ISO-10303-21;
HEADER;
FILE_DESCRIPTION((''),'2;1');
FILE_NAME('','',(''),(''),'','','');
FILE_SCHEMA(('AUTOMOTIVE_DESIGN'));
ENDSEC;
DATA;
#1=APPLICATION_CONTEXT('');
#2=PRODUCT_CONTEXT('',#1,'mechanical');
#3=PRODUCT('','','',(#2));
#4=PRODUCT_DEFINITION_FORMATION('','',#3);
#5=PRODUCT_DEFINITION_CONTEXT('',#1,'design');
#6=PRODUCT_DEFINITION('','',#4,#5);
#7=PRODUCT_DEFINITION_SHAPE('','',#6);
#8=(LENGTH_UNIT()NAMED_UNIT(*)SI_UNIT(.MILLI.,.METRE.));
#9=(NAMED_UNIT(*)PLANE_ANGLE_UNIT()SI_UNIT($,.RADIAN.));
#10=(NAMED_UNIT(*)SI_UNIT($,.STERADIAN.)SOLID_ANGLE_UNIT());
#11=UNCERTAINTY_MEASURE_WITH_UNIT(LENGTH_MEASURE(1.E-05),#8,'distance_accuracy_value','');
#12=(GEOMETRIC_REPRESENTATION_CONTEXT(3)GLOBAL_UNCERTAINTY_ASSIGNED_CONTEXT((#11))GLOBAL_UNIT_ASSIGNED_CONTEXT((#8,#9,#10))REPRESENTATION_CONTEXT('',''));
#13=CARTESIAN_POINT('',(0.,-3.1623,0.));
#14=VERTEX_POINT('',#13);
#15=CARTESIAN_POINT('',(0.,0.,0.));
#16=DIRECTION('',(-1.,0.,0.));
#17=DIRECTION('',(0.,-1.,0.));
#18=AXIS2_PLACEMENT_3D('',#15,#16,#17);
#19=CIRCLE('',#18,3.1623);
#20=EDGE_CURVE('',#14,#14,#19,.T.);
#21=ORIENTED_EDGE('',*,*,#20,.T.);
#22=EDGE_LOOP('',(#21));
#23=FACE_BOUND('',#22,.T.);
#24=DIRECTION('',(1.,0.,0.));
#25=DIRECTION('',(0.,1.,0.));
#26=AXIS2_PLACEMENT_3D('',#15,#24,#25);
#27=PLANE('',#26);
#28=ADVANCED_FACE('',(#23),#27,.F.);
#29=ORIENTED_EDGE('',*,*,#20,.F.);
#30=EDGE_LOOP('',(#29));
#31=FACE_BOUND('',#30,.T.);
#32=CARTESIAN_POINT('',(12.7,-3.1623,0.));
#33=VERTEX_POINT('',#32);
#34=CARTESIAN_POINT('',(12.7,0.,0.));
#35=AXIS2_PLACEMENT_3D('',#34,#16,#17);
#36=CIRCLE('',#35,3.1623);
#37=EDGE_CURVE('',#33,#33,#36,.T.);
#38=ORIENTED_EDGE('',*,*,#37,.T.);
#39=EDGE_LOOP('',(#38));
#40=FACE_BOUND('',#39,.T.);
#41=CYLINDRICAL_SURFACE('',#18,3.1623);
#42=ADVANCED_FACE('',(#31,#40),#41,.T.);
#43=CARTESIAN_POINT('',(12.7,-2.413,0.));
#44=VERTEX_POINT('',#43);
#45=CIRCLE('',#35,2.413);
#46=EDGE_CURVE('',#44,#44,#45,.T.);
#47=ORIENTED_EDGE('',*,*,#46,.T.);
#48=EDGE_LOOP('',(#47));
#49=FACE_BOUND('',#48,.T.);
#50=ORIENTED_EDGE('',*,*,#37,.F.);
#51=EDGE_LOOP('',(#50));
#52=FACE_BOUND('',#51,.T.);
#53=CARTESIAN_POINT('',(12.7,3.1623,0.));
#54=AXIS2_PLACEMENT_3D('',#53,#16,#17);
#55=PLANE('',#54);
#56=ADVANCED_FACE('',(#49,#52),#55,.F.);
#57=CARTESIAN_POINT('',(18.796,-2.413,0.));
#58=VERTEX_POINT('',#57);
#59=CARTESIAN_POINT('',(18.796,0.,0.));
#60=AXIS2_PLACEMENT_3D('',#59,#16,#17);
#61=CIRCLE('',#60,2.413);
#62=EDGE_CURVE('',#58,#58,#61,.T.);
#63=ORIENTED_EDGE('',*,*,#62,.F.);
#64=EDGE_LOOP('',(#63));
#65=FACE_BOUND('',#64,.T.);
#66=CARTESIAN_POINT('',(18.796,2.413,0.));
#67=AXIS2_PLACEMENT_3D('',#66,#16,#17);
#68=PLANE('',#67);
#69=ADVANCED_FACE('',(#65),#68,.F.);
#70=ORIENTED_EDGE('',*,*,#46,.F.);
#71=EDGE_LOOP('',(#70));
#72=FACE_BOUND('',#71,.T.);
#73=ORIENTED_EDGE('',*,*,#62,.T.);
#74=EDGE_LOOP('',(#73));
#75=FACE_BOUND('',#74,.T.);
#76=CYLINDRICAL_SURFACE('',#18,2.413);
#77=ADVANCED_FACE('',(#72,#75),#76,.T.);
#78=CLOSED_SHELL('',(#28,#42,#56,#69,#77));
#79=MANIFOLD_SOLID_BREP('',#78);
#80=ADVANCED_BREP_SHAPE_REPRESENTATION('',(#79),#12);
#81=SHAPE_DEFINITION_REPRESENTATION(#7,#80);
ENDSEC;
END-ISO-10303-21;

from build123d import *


with BuildPart() as part:
    # Sketch1 → Revolve1 (revolve)
    with BuildSketch(Plane.XY):
        Polygon((0, 3.1623), (12.7, 3.1623), (12.7, 2.413), (18.796, 2.413), (18.796, 0), (0, 0), align=None)
    revolve(axis=Axis((0, 0, 0), (1, 0, 0)))


solid = part.part
